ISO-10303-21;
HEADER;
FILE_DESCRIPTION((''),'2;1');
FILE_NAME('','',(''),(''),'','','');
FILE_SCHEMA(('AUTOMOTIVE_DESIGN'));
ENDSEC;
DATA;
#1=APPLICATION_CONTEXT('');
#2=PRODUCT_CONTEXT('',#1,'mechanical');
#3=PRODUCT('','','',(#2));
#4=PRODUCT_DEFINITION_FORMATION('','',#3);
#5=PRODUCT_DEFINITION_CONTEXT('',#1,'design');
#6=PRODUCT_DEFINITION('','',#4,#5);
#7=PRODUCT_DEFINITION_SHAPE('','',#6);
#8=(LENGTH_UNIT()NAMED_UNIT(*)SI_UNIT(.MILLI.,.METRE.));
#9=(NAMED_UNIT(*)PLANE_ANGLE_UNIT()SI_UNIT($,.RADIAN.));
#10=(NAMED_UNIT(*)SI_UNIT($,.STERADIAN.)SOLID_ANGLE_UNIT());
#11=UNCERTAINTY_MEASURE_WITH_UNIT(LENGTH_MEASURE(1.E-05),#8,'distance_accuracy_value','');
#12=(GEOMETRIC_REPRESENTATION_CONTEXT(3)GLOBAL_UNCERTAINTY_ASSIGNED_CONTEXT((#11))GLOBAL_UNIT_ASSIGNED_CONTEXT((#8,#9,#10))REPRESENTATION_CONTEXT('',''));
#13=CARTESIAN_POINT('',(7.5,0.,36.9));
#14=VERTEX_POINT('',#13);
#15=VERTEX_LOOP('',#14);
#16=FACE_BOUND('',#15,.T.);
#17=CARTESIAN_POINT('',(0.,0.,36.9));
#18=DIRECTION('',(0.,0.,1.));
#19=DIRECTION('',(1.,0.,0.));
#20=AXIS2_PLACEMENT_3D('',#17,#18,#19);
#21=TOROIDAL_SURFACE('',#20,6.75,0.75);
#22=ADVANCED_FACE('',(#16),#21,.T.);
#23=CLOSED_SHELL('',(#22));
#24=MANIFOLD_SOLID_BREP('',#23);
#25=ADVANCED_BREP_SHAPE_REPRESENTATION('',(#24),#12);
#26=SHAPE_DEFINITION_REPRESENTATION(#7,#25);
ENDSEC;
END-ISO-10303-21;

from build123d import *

# Parameters (mm, degrees)
SKETCH1_R = 0.75


with BuildPart() as part:
    # Sketch1 → Revolve1 (revolve)
    with BuildSketch(Plane(origin=(0, 0, 0), x_dir=(1, 0, 0), z_dir=(0, 1, 0))):
        with Locations((6.75, -36.9)):
            Circle(SKETCH1_R)
    revolve(axis=Axis((0, 0, 36.15), (0, 0, 1)))


solid = part.part
